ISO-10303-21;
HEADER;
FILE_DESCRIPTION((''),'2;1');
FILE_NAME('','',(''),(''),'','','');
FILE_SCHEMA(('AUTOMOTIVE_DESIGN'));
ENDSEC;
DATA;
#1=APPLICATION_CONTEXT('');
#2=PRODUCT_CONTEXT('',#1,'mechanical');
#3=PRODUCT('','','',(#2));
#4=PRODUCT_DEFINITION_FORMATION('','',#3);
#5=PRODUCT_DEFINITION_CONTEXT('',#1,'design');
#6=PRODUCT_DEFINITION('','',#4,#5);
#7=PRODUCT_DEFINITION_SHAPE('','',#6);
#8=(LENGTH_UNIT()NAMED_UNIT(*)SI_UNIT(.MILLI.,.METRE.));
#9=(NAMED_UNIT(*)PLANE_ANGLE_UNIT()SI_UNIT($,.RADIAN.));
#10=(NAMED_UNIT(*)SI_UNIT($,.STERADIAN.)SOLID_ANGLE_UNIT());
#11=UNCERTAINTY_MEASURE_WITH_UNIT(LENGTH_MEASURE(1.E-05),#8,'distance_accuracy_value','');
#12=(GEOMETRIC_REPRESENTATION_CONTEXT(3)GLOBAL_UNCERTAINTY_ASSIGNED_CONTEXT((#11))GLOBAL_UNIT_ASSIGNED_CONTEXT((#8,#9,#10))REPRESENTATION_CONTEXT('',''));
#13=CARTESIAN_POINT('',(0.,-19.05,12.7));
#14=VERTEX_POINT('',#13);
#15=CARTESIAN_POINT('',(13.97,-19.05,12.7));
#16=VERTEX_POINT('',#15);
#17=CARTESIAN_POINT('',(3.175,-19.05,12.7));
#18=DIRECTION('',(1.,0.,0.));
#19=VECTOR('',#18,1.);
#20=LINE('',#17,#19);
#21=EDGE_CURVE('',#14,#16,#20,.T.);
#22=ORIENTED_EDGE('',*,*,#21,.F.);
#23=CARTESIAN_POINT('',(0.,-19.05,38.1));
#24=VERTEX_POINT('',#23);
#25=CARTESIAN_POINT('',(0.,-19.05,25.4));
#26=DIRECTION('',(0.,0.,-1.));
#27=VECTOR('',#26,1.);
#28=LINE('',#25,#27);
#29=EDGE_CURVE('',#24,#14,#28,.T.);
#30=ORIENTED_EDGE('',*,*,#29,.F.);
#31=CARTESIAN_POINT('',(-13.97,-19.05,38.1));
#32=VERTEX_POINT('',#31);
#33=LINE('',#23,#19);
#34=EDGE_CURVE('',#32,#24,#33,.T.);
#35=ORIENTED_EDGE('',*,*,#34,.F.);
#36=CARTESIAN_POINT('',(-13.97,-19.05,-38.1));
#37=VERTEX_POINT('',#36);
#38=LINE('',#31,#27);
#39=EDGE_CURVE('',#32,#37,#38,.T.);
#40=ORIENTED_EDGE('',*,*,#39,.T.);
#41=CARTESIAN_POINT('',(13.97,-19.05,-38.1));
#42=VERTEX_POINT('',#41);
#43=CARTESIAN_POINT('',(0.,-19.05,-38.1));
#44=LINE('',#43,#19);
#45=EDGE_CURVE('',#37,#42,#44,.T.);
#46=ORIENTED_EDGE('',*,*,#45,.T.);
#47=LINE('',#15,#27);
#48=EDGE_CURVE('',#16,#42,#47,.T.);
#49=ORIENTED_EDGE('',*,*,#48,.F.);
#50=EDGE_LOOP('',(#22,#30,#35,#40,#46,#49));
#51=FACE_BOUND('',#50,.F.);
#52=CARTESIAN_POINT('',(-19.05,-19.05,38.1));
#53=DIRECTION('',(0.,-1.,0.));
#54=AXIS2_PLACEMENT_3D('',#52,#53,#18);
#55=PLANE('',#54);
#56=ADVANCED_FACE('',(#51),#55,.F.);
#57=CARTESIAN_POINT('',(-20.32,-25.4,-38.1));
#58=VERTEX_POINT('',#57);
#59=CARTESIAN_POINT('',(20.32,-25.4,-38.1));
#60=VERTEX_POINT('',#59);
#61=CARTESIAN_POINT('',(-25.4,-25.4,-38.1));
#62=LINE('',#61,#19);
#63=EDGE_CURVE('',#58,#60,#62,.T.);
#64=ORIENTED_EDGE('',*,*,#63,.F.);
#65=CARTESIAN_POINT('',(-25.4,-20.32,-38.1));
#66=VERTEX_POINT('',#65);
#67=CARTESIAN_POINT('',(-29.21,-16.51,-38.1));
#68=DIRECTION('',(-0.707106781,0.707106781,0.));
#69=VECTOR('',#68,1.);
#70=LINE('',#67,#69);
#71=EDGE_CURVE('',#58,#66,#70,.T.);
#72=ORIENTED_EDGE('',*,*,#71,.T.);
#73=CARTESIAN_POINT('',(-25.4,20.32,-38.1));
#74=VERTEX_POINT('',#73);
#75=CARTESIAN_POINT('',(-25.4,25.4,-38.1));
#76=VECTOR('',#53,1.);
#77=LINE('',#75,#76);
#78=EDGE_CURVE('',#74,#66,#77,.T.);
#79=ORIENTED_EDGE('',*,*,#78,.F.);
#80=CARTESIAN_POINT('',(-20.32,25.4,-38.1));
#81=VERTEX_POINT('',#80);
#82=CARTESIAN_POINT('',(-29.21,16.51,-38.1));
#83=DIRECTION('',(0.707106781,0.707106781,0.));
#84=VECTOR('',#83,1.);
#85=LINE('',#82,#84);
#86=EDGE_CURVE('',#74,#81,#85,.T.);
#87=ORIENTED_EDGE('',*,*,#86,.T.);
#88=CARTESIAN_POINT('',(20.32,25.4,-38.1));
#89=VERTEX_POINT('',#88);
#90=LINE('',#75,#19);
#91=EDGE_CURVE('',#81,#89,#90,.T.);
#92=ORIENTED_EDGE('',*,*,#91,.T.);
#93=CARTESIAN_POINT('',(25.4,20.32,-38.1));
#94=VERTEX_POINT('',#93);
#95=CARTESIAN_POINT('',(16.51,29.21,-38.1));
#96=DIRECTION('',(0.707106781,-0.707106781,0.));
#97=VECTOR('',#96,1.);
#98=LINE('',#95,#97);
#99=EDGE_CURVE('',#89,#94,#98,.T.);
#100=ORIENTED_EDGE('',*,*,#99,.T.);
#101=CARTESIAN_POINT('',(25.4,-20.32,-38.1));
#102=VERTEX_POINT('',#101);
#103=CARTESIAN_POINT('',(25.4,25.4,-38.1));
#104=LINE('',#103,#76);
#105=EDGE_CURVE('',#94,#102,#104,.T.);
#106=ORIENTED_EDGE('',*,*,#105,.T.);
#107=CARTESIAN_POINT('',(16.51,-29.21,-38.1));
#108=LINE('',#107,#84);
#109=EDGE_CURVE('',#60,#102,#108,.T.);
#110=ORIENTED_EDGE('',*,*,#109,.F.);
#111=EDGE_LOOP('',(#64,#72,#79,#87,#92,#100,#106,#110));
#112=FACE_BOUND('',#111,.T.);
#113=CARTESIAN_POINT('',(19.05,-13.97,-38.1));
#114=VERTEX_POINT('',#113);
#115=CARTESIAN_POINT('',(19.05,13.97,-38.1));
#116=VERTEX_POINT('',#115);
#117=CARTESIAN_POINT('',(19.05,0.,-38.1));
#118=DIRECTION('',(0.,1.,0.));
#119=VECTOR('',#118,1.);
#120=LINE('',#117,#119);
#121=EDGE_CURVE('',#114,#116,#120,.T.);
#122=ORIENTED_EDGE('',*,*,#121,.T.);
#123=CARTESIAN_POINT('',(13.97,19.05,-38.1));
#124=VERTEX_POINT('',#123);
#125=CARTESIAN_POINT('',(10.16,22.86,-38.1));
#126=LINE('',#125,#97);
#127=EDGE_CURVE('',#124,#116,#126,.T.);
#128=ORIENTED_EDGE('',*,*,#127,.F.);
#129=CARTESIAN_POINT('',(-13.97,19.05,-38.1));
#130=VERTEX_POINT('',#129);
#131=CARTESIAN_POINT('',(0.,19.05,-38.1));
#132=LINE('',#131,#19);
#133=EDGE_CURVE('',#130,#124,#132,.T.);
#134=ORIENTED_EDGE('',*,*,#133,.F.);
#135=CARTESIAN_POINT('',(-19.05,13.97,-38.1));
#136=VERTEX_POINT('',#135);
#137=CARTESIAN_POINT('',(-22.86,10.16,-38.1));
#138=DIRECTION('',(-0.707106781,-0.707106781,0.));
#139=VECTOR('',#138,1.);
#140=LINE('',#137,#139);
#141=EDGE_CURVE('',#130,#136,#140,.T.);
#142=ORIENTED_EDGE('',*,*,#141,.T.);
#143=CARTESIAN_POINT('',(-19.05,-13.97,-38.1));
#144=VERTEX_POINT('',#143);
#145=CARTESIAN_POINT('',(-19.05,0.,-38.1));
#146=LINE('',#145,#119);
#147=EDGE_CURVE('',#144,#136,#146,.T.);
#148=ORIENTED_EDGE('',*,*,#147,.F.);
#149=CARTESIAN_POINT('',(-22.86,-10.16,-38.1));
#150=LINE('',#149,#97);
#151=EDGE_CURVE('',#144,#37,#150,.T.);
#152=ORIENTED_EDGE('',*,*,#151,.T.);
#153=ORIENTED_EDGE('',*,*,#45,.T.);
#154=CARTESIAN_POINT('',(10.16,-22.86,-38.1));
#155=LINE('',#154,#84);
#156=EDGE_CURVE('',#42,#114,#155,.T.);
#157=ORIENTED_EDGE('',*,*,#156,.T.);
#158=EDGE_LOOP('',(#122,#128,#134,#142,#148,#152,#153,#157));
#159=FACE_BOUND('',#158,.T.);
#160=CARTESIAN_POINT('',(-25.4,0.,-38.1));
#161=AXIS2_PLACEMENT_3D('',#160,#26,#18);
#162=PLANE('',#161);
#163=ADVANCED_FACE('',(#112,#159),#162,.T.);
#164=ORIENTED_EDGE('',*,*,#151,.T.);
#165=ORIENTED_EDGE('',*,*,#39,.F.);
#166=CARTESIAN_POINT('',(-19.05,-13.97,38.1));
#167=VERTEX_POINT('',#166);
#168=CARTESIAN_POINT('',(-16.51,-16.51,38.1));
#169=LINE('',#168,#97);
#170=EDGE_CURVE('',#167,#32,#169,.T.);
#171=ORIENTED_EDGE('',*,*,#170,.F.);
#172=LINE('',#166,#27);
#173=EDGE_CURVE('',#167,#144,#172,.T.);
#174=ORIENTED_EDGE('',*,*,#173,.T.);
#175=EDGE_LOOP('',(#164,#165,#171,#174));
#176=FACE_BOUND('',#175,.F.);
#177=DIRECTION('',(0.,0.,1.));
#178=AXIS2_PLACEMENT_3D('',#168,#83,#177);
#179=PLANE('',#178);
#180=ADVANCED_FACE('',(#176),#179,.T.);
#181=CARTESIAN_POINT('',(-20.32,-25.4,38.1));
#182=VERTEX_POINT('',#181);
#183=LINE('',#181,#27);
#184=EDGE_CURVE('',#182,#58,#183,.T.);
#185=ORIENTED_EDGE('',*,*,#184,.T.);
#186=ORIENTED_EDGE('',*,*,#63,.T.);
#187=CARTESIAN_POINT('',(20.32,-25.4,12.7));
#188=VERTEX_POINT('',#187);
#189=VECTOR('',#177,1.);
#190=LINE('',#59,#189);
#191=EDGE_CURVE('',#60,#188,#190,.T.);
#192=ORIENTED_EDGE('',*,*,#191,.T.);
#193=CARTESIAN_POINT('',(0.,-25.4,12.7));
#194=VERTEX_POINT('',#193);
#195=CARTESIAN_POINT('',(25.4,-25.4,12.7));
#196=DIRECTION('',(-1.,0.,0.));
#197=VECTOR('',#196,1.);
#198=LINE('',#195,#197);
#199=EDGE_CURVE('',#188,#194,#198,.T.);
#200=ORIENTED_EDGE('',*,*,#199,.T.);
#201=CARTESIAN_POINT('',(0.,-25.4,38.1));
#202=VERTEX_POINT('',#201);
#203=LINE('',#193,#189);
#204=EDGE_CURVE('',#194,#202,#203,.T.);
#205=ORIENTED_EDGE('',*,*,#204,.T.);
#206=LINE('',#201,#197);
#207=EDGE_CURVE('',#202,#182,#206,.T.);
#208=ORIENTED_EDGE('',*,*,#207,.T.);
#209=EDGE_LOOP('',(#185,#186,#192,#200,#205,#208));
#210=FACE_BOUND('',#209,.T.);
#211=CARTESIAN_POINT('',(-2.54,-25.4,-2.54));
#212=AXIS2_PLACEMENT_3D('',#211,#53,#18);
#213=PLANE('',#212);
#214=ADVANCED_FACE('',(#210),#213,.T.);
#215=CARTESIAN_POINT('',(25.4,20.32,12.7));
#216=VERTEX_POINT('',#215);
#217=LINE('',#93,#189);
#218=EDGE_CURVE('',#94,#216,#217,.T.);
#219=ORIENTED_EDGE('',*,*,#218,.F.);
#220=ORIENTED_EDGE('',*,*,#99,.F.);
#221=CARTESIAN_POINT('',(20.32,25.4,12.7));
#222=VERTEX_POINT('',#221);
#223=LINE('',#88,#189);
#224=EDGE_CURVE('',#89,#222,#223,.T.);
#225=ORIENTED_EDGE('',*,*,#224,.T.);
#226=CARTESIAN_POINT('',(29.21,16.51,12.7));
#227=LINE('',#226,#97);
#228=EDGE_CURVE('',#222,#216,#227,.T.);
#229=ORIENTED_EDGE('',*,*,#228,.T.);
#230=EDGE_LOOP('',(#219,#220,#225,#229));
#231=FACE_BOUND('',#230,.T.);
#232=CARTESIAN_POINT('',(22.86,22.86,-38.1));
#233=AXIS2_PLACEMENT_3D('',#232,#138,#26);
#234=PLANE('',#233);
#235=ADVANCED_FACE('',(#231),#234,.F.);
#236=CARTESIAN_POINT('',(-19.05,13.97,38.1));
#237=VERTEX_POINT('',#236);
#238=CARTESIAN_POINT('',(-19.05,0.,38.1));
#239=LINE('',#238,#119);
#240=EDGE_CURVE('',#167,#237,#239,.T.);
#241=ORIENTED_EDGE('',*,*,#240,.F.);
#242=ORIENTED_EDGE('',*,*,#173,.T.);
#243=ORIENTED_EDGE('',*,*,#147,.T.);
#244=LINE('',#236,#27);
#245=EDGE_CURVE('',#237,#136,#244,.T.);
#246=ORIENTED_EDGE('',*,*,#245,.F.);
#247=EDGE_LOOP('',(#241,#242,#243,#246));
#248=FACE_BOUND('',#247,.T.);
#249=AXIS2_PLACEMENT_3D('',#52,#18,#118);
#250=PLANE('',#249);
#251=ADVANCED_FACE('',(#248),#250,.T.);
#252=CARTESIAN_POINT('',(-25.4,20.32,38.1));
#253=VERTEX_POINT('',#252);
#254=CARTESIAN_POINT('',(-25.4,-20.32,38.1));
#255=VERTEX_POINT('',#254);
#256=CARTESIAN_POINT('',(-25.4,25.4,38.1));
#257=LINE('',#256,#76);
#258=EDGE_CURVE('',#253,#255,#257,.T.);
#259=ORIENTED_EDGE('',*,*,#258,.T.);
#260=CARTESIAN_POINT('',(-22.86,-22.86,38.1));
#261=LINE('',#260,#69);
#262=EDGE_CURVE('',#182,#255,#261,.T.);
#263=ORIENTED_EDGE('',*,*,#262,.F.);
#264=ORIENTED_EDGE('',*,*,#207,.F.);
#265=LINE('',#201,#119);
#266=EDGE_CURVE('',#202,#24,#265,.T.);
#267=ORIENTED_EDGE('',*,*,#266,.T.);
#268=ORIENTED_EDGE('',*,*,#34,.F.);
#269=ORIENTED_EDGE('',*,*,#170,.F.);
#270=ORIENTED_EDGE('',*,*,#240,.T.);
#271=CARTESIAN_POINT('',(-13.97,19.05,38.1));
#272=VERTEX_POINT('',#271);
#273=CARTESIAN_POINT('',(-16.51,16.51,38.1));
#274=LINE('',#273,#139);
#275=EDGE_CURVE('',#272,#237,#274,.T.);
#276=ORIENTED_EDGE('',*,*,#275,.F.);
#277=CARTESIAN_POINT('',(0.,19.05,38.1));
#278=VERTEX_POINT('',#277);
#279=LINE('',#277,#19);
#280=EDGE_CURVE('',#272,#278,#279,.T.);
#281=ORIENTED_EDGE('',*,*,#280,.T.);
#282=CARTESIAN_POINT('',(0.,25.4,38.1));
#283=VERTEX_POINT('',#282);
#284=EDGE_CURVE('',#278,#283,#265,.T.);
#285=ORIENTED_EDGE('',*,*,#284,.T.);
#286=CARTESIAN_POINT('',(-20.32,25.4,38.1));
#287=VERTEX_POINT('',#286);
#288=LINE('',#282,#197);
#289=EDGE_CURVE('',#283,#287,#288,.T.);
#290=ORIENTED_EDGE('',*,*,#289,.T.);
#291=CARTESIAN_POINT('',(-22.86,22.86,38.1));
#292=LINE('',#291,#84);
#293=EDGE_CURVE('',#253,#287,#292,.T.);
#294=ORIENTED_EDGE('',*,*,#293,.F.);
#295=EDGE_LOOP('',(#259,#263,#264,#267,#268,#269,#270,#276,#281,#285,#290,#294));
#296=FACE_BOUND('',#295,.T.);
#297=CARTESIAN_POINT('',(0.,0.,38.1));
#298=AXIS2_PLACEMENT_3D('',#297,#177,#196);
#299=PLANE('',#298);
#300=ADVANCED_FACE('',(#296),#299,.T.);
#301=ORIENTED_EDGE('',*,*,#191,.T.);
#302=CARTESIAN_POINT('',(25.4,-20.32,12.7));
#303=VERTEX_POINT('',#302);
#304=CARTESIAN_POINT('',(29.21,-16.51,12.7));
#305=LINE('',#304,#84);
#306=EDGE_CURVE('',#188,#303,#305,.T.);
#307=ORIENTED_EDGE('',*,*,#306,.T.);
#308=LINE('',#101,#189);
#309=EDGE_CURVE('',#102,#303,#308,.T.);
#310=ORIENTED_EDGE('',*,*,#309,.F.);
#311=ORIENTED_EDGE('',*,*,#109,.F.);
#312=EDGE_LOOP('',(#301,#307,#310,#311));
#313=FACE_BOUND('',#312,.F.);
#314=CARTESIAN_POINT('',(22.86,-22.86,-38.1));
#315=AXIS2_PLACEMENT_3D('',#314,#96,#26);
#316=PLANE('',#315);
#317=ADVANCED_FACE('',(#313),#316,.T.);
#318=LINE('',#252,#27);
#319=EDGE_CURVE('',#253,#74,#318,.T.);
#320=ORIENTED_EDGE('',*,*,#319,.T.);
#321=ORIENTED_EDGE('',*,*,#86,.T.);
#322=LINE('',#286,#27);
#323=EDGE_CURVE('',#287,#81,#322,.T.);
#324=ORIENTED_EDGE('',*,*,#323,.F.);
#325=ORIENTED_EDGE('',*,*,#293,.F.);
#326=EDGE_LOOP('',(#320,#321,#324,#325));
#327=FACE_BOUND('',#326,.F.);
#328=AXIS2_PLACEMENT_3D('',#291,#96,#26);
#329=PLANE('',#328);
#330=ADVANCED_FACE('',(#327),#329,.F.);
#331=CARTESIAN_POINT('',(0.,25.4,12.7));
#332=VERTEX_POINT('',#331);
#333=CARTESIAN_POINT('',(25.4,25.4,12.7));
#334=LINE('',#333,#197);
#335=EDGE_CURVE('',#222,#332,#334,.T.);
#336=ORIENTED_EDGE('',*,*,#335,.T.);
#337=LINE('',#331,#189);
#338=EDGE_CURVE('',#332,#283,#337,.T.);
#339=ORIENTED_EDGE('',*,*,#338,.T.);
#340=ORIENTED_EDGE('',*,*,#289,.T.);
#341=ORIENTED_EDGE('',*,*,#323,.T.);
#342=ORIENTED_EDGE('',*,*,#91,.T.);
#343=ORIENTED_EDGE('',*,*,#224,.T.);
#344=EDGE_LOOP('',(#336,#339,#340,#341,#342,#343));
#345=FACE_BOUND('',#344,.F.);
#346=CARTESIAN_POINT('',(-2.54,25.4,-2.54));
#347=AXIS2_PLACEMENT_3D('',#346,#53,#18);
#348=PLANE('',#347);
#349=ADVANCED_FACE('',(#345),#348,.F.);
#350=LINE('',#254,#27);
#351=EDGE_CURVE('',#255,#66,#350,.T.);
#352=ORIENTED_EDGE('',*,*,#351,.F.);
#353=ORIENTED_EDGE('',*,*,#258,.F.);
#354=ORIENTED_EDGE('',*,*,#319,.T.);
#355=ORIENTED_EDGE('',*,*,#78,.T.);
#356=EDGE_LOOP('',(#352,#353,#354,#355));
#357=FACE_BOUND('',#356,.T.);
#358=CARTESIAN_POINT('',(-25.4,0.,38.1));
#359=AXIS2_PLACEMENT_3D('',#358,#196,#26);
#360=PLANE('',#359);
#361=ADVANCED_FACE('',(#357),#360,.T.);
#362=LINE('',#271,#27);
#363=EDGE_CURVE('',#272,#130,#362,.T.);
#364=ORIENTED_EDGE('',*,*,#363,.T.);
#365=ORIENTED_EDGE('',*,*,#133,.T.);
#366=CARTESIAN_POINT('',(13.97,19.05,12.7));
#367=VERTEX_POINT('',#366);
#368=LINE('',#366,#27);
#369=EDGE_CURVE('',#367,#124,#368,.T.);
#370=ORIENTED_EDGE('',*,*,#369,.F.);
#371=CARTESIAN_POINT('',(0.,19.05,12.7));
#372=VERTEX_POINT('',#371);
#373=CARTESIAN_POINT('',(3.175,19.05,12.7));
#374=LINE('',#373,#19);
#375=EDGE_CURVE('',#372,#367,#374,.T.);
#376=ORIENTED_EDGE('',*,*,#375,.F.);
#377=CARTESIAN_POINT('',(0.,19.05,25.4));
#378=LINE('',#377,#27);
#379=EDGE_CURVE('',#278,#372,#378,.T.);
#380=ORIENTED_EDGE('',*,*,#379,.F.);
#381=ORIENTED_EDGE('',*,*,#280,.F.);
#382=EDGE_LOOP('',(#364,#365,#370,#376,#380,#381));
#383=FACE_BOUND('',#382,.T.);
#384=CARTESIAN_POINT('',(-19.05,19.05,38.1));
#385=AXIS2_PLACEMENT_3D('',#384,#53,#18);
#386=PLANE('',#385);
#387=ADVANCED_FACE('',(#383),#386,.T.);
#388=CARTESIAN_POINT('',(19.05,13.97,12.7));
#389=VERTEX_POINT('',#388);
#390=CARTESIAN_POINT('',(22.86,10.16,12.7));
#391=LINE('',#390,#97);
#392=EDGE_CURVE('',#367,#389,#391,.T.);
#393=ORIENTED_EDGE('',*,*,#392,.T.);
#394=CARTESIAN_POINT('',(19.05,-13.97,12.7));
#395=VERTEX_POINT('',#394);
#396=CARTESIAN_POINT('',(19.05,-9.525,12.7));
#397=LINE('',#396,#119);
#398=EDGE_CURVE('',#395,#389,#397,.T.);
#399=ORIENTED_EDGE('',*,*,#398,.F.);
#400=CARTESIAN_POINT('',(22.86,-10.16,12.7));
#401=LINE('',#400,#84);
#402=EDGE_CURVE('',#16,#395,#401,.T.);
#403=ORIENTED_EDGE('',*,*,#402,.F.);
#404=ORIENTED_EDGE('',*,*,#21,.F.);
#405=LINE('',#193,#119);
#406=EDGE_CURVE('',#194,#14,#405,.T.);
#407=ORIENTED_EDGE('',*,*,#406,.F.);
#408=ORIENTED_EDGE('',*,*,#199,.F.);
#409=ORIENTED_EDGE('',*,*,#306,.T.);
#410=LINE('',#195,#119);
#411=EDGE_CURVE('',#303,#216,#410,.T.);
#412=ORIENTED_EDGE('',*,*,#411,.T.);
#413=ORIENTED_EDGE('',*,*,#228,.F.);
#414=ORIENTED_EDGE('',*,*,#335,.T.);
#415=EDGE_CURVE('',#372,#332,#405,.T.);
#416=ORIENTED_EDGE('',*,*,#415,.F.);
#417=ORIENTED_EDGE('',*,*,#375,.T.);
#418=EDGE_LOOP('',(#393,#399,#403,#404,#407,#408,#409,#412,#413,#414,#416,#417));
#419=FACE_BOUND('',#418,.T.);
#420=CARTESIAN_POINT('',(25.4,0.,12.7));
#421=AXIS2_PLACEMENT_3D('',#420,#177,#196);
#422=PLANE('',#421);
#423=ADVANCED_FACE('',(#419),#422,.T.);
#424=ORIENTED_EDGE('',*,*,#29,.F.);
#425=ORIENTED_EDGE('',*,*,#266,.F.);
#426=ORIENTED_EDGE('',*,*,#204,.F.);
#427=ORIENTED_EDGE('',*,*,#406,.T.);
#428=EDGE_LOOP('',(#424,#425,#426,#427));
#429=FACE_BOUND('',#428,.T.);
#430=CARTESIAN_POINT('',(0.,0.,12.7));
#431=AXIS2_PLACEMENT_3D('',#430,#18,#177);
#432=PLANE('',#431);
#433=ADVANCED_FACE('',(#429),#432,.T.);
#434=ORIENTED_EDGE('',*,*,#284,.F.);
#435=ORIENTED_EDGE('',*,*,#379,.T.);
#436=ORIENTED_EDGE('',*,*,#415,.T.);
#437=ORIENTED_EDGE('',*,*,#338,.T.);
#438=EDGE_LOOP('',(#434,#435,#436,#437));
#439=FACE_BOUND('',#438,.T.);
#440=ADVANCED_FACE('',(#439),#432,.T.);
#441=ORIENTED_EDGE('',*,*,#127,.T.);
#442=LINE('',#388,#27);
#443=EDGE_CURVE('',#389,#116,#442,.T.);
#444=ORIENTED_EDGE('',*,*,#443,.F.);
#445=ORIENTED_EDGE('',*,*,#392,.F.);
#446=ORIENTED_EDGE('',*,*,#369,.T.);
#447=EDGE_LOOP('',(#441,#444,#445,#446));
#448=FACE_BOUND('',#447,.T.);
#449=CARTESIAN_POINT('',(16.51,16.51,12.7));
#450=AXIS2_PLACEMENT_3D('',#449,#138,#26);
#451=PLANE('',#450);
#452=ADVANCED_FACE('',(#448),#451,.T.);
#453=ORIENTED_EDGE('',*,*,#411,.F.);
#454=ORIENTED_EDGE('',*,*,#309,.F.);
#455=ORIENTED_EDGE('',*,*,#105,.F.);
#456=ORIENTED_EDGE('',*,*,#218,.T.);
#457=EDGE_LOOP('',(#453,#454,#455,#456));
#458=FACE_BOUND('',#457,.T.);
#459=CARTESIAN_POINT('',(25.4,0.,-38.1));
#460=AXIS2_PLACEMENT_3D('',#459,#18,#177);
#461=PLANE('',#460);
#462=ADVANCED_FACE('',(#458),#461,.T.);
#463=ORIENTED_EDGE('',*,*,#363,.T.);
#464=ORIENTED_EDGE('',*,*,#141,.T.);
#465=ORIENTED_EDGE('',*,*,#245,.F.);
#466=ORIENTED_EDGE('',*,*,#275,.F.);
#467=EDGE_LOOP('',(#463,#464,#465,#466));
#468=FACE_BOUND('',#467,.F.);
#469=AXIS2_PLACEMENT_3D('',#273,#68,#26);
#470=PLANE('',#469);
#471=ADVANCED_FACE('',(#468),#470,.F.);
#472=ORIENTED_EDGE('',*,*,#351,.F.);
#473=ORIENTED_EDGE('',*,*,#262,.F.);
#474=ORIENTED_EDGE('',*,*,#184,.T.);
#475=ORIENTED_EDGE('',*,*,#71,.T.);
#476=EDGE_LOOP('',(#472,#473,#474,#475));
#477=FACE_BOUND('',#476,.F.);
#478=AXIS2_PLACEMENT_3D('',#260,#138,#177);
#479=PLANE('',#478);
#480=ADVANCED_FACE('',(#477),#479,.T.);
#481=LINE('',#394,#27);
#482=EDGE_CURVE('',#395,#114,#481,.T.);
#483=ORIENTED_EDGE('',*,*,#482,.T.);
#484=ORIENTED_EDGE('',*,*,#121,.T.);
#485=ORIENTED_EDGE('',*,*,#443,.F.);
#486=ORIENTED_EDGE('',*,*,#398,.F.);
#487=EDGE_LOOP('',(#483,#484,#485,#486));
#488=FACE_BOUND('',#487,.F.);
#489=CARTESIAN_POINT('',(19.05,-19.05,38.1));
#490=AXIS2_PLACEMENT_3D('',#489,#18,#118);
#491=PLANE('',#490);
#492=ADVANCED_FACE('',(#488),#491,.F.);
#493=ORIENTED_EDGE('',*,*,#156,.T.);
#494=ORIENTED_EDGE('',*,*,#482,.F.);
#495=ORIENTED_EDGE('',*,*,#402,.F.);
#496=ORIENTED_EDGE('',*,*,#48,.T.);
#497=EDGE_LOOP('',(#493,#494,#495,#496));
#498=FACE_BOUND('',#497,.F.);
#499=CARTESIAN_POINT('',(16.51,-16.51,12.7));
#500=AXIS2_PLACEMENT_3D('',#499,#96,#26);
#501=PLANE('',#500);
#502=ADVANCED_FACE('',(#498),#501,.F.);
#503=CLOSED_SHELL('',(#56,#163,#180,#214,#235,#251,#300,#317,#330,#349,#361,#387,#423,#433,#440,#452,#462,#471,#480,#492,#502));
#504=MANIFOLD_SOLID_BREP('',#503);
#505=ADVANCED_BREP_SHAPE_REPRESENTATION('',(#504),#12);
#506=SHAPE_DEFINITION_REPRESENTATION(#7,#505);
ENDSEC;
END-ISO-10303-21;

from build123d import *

# Parameters (mm, degrees)
F1_DEPTH = 25.4
F2_W     = 38.1
F2_H     = 38.1
F3_DEPTH = 76.2
F4_SIZE  = 5.08


with BuildPart() as f1:
    # F0 (on Front) → F1 (new body, symmetric)
    with BuildSketch(Plane.XZ):
        Polygon((0, 38.1), (-25.4, 38.1), (-25.4, -38.1), (25.4, -38.1), (25.4, 12.7), (0, 12.7), align=None)
    extrude(amount=F1_DEPTH, both=True)

    # F2 (on face) → F3 (cut, through all)
    with BuildSketch(Plane.XY.offset(38.1)):
        Rectangle(F2_W, F2_H)
    extrude(amount=-F3_DEPTH, mode=Mode.SUBTRACT)

    # F4
    f4_edges = [f1.edges().sort_by_distance(p)[0] for p in [
        (-19.05, -19.05, 0),
        (19.05, -19.05, -12.7),
        (19.05, 19.05, -12.7),
        (-19.05, 19.05, 0),
        (25.4, -25.4, -12.7),
        (25.4, 25.4, -12.7),
        (-25.4, 25.4, 0),
        (-25.4, -25.4, 0),
    ]]
    chamfer(f4_edges, length=F4_SIZE)


solid = f1.part
